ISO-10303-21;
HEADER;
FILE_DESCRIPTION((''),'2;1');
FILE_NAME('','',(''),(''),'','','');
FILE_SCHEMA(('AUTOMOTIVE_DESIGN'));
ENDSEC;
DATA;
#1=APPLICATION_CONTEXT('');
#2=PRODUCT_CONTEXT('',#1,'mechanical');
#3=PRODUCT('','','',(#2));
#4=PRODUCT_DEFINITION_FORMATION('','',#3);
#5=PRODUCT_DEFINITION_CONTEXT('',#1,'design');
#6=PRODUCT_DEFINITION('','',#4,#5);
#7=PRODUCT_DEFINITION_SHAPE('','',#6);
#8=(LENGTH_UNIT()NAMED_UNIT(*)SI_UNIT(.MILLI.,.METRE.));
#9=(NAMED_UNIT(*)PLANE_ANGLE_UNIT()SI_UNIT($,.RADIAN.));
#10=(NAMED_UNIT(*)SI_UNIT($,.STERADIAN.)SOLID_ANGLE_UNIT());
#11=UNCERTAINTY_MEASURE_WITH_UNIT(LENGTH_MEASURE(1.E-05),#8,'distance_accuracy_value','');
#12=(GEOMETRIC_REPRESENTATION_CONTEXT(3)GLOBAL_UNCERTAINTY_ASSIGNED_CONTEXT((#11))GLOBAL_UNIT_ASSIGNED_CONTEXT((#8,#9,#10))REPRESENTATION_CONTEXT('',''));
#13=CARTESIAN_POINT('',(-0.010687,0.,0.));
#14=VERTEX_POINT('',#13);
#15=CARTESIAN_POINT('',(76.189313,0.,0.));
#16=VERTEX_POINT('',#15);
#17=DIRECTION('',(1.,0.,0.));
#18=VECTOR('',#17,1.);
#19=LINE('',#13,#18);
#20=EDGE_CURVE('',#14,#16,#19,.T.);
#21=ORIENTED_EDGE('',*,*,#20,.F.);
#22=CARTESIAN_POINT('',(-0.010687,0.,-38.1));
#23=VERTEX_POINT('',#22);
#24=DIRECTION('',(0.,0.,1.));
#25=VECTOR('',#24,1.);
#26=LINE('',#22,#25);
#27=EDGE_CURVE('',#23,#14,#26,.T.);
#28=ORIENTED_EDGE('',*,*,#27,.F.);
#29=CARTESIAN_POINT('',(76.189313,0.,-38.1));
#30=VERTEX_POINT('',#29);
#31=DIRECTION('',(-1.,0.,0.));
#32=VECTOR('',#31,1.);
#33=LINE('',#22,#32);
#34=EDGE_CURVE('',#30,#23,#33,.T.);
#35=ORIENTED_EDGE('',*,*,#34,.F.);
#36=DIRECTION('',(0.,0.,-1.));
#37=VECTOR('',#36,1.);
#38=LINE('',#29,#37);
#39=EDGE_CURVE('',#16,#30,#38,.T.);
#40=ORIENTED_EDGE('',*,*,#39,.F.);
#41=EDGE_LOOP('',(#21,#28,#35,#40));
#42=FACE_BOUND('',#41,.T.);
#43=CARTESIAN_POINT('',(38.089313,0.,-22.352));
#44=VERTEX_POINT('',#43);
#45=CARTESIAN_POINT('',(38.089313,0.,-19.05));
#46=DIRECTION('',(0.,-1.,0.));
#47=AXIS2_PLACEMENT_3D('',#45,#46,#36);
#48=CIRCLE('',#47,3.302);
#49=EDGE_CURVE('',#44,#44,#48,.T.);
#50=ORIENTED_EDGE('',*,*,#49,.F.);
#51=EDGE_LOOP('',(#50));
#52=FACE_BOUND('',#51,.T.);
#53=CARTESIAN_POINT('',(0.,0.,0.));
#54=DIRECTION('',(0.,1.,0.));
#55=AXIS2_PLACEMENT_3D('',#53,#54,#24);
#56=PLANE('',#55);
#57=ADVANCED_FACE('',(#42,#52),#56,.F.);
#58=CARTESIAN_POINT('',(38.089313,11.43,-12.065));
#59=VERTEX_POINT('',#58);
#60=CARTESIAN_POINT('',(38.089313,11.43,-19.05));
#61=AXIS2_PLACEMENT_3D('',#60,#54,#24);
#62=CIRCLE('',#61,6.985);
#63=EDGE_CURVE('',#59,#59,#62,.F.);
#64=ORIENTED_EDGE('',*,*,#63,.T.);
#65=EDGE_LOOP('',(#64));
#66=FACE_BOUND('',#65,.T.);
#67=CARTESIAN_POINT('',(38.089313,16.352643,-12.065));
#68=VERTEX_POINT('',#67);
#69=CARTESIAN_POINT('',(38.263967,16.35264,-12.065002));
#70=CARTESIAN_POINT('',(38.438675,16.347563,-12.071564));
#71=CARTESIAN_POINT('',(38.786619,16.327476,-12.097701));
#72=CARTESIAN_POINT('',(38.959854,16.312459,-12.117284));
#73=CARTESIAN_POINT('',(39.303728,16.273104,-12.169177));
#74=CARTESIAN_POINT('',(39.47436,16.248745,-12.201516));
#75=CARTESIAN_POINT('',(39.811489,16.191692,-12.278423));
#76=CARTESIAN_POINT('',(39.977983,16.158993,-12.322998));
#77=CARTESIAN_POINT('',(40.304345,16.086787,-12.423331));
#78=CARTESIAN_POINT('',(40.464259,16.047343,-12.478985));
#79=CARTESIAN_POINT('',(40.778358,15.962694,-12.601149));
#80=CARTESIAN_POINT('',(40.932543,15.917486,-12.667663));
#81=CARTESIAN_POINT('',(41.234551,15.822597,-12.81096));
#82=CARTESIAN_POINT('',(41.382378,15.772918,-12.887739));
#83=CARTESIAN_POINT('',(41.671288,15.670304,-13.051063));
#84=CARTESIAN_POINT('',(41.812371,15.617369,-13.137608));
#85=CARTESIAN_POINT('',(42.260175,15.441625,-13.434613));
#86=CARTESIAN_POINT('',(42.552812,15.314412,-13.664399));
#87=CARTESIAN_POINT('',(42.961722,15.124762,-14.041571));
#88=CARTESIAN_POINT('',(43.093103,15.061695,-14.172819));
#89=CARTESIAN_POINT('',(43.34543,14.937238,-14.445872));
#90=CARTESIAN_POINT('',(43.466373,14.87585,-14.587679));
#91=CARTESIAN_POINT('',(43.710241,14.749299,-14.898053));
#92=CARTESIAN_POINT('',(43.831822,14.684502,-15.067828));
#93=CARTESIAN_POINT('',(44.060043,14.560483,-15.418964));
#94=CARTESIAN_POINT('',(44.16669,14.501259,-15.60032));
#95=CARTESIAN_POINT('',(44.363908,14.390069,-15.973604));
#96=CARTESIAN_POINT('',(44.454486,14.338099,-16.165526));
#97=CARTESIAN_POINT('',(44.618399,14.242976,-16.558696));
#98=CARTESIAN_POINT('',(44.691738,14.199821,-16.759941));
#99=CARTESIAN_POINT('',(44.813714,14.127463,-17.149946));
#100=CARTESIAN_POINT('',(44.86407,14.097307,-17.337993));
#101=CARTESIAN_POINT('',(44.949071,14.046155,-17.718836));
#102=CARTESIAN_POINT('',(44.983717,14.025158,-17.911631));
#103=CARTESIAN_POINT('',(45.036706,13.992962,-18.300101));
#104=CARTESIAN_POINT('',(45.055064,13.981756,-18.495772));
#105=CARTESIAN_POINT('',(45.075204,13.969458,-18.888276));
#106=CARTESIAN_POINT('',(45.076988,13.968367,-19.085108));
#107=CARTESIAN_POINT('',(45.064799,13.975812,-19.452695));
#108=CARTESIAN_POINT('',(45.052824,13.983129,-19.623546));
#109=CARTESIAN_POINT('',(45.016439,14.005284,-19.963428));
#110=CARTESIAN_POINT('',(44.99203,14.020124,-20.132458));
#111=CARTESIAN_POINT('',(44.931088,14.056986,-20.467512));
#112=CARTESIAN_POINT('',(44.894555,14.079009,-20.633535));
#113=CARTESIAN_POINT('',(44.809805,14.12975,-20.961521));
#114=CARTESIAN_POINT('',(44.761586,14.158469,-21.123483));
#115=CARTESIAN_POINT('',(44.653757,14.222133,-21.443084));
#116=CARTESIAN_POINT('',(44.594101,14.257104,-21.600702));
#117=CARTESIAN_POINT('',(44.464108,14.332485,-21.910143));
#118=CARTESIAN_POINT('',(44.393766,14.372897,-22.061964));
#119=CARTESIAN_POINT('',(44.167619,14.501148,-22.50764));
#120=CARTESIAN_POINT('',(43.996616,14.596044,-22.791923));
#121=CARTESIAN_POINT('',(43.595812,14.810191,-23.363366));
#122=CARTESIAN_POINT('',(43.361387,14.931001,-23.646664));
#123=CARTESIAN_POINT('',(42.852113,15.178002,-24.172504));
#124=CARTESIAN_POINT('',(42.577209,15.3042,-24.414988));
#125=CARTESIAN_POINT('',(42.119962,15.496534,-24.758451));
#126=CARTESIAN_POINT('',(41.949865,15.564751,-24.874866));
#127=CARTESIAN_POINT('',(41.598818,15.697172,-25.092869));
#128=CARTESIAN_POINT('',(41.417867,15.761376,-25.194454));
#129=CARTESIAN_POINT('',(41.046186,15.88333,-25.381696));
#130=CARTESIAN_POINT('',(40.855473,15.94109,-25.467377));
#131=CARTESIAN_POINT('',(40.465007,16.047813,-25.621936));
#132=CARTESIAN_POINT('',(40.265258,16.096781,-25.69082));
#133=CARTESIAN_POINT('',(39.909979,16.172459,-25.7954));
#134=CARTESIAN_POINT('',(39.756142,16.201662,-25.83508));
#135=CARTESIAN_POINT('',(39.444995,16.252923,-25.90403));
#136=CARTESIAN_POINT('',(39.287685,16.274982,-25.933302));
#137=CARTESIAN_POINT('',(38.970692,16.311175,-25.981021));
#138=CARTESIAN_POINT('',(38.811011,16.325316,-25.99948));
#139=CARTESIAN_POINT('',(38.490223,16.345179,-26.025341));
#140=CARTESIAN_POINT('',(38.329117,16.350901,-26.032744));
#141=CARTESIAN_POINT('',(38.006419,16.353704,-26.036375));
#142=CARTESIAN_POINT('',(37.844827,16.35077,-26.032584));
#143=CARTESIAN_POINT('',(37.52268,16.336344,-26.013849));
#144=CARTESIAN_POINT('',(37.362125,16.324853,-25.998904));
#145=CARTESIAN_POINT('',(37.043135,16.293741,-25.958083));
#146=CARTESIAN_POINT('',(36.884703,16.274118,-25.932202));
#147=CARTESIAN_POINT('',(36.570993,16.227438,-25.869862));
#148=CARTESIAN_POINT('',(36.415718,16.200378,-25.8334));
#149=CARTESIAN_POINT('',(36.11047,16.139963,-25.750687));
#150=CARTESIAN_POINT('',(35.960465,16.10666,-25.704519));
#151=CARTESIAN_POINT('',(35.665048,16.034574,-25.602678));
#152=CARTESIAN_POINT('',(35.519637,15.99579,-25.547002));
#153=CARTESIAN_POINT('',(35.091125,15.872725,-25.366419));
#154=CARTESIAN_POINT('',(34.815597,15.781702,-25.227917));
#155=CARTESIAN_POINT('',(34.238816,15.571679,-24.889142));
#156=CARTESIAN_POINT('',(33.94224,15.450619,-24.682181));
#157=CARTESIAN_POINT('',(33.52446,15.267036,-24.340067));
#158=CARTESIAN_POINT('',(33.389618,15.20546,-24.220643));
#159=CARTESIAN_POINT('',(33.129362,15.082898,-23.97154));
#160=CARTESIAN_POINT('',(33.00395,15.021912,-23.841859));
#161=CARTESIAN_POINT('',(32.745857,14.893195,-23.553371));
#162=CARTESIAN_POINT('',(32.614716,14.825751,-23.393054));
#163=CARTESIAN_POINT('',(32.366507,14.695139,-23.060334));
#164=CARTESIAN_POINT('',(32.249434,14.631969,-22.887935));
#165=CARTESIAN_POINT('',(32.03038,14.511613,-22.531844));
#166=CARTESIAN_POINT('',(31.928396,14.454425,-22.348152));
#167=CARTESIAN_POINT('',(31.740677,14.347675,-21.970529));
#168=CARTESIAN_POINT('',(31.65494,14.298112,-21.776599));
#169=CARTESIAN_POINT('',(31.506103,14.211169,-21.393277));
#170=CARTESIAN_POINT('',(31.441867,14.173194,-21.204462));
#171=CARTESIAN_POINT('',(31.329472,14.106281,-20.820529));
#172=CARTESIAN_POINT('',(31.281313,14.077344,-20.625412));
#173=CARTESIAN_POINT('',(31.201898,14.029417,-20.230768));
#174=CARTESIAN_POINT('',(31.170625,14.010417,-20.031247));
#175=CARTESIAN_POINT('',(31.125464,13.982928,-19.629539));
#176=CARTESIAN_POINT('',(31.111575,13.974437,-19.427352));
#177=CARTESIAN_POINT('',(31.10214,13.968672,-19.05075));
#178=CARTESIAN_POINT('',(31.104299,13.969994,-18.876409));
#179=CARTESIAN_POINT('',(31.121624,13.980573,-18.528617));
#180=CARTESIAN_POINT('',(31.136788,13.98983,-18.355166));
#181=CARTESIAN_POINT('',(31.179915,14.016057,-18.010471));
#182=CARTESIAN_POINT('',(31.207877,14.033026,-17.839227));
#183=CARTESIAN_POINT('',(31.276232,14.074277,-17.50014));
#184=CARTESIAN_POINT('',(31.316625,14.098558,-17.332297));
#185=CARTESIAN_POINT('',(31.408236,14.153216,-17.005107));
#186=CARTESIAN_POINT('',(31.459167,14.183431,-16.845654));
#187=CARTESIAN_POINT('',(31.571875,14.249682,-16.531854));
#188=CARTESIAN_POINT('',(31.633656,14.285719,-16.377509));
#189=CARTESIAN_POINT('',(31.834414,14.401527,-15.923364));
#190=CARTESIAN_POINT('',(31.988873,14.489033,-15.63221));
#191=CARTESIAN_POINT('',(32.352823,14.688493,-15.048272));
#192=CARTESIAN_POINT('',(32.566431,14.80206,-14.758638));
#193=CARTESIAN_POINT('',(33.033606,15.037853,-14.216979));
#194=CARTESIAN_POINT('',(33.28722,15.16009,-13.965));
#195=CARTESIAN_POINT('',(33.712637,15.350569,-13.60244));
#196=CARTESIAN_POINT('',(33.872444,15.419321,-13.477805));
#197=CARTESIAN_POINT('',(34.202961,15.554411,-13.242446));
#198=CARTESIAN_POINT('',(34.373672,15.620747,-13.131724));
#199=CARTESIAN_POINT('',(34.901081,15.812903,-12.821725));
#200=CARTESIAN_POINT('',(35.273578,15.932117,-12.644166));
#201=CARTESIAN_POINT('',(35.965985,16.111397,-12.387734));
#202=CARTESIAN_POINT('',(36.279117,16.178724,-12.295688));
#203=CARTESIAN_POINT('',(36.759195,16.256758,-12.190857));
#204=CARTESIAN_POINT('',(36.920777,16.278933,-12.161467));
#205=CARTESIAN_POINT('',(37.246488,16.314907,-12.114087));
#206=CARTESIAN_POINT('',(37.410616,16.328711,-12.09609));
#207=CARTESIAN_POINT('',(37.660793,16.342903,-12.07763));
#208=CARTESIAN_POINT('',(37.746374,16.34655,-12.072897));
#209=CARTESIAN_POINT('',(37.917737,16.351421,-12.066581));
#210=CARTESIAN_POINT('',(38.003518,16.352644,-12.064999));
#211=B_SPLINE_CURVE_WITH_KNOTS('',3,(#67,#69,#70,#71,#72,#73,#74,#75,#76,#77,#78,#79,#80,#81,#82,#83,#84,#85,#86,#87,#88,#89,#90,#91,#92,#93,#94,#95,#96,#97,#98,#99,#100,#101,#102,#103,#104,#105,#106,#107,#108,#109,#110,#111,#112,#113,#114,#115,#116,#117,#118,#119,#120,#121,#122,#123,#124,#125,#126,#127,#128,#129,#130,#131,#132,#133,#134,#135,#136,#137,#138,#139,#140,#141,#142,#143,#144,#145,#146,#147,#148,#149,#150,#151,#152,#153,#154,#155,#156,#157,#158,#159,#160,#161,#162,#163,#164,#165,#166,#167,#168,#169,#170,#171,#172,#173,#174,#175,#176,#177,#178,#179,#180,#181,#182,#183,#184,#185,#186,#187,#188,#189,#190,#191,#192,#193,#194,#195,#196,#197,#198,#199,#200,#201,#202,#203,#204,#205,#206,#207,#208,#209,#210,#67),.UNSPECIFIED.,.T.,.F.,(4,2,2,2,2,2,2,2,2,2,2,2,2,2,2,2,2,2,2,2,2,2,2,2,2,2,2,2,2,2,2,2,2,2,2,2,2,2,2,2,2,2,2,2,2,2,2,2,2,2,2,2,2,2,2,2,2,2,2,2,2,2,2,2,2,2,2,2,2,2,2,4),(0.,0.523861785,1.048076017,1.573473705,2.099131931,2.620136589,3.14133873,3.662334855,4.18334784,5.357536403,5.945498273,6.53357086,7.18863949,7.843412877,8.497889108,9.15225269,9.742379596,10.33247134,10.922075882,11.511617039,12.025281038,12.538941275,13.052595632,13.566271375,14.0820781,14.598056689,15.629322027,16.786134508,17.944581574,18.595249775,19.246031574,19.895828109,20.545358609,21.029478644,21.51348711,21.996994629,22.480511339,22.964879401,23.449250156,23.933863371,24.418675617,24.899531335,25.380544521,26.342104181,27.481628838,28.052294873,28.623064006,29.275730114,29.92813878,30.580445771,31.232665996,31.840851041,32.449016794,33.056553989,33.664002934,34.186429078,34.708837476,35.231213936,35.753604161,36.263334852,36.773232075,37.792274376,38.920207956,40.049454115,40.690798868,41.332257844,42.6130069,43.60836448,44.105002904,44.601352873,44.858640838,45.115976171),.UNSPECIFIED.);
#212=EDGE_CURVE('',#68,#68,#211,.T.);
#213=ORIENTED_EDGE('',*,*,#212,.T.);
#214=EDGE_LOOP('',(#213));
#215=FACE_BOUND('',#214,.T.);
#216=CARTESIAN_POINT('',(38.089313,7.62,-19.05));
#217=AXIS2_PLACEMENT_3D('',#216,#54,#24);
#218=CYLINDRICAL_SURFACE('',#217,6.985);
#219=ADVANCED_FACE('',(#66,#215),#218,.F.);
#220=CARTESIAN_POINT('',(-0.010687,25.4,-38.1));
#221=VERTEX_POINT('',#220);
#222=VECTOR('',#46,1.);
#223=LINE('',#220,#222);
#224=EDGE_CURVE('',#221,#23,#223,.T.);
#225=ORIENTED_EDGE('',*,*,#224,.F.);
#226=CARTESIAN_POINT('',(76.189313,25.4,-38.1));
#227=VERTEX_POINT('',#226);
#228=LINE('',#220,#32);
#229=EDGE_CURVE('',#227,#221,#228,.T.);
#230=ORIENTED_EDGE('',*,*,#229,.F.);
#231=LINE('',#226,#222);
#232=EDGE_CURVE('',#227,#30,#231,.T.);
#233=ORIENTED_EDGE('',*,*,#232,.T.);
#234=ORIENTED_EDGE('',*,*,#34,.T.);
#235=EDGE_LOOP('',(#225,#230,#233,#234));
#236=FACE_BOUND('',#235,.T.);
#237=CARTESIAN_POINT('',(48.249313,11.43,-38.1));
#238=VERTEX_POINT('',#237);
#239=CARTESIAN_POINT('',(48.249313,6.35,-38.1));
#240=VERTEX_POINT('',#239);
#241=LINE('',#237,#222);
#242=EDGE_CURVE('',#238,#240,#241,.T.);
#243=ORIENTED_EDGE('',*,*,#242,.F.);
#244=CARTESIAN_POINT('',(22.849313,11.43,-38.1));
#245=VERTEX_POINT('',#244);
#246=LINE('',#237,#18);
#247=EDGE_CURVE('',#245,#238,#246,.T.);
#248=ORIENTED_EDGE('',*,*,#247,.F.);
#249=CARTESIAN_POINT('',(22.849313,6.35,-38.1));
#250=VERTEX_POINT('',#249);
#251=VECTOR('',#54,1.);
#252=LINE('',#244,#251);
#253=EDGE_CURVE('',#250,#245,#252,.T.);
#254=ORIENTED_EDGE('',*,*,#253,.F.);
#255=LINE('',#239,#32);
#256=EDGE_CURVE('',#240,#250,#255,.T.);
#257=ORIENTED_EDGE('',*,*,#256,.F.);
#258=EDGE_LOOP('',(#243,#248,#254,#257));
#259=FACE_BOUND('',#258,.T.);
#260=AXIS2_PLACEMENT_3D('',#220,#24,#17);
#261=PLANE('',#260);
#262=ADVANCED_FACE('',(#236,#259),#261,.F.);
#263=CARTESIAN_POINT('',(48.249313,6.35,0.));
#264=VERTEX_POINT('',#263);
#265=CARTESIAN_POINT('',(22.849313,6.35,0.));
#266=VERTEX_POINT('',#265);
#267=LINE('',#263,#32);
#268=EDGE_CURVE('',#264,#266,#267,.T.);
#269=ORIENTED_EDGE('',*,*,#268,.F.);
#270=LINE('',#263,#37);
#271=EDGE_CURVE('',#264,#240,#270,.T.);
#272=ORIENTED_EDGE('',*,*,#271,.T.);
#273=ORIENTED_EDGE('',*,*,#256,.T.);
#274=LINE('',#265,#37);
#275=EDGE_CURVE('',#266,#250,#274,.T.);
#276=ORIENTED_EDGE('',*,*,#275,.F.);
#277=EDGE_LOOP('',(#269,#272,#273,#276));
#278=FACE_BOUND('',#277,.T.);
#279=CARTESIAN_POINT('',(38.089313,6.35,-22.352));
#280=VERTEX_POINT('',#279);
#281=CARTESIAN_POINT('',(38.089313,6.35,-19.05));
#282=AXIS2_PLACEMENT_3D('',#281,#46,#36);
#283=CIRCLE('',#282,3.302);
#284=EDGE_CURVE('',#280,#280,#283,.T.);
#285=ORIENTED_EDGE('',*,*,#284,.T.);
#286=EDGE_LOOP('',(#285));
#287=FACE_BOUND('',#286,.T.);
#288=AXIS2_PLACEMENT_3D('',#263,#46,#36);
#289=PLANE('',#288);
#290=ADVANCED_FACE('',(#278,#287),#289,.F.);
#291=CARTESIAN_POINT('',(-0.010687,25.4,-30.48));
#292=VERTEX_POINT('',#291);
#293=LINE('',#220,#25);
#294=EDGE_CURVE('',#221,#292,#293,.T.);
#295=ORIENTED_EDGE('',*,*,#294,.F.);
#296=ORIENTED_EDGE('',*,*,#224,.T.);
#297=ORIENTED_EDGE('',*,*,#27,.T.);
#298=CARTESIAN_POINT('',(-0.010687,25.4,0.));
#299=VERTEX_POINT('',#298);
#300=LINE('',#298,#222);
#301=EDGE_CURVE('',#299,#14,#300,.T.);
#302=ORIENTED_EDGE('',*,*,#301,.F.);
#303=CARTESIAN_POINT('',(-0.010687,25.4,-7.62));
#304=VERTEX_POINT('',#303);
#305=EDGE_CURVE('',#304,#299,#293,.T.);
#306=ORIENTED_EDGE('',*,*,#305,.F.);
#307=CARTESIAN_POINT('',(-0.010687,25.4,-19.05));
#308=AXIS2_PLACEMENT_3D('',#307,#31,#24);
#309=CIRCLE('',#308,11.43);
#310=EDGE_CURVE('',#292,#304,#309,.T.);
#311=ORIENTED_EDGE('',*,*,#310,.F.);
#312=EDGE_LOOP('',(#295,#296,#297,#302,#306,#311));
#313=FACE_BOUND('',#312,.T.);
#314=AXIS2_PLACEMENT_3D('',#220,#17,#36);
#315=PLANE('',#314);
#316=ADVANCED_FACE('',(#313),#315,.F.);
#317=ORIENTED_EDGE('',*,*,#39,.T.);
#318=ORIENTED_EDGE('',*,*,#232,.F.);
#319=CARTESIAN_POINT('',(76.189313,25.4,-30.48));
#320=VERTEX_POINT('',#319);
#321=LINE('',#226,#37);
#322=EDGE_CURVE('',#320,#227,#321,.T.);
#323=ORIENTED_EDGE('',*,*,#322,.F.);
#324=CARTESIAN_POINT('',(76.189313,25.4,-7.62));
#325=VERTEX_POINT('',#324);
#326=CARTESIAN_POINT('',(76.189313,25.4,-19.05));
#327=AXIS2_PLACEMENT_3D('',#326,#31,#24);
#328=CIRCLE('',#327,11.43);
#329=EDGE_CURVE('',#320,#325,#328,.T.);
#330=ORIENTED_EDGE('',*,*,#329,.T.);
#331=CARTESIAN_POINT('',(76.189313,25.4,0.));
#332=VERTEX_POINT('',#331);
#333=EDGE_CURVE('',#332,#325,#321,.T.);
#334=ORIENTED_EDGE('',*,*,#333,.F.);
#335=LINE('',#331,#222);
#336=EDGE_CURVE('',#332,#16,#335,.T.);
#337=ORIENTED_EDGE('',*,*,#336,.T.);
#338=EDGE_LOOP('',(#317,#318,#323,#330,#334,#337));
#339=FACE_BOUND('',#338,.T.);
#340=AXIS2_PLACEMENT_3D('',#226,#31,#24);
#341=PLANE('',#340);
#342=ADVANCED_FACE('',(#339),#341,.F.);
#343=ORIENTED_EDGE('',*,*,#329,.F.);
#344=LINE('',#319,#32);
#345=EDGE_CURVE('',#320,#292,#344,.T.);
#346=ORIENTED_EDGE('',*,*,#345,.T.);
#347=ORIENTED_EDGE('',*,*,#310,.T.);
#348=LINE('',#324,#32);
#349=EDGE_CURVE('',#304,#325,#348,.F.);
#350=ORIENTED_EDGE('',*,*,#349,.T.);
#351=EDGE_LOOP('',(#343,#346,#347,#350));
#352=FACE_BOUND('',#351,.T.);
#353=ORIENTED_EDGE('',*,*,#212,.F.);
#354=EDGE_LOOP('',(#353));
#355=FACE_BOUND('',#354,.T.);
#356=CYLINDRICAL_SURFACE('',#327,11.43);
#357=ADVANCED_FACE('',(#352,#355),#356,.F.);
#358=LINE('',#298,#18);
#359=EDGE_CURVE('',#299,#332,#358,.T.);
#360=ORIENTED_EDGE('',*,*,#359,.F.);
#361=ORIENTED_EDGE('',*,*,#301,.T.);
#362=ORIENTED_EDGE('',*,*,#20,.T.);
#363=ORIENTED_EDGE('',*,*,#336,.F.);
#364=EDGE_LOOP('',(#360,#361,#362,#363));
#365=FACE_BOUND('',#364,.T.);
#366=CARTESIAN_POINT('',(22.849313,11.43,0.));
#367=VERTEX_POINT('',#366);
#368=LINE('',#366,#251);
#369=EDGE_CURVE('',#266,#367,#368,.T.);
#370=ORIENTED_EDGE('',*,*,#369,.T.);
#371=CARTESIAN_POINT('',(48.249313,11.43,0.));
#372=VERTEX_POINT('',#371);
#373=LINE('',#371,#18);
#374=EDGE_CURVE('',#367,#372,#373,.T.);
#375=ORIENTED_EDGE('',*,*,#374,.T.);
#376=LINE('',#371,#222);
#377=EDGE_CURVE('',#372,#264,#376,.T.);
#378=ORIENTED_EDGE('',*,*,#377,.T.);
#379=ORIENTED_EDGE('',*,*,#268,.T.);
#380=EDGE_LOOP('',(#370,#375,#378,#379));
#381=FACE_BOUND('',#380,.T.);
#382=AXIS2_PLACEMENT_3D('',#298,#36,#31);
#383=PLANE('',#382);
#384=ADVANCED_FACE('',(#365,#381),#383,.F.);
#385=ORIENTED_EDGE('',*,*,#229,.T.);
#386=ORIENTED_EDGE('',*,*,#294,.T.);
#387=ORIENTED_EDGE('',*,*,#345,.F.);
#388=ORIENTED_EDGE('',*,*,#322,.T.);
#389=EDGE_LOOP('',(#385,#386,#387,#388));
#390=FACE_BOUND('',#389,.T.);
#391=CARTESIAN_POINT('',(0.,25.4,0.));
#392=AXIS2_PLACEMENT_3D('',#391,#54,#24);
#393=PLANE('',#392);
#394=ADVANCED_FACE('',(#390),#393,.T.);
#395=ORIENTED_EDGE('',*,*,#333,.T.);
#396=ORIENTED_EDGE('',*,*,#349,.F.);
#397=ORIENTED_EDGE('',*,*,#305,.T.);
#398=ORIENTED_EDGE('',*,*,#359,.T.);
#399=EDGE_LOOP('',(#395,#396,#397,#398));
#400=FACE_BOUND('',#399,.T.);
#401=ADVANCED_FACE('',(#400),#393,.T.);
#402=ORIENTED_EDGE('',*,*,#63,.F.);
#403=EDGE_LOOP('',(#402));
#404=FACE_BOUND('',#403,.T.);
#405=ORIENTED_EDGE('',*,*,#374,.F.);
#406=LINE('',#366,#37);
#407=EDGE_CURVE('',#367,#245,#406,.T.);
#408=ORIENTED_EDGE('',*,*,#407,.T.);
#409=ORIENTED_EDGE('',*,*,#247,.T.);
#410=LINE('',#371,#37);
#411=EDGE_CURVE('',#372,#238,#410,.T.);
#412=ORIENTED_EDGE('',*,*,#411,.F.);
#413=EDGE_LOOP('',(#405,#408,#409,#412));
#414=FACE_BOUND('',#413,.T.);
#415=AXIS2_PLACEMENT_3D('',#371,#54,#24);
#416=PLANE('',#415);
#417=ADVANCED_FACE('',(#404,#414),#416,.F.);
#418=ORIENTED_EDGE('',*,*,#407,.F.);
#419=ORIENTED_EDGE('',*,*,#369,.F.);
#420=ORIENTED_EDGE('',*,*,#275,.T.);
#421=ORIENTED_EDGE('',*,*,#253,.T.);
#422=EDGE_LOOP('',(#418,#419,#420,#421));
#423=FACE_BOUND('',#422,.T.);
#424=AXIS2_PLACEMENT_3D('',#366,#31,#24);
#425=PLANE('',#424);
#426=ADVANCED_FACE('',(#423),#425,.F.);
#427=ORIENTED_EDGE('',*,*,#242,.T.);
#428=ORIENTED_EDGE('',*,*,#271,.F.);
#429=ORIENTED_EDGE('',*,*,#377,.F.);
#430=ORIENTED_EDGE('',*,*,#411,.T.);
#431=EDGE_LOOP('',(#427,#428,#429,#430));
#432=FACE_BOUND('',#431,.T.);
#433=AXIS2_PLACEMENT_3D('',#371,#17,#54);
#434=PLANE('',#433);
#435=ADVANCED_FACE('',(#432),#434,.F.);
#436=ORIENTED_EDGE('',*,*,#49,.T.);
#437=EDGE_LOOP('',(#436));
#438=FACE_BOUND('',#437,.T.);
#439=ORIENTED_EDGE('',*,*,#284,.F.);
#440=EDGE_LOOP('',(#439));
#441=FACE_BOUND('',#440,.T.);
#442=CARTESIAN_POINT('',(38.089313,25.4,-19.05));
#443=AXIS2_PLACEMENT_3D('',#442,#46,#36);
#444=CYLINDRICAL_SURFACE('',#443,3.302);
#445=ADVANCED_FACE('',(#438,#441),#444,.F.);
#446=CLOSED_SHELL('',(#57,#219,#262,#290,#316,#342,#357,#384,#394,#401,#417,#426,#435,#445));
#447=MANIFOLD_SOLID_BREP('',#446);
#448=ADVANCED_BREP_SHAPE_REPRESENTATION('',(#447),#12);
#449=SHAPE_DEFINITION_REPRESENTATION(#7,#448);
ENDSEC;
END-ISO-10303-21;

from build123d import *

# Parameters (mm, degrees)
SKETCH1_W           = 76.2
SKETCH1_H           = 38.1
BOSS_EXTRUDE1_DEPTH = 25.4
SKETCH2_R           = 11.43
CUT_EXTRUDE1_DEPTH  = 89.9
SKETCH5_W           = 25.4
SKETCH5_H           = 5.08
CUT_EXTRUDE3_DEPTH  = 89.890839867
SKETCH3_R           = 3.302
CUT_EXTRUDE6_DEPTH  = 89.890839867
CUT_EXTRUDE7_START  = -7.62
SKETCH3_3_R         = 6.985
SKETCH3_3_R_2       = 3.302
CUT_EXTRUDE7_DEPTH  = 10.16


with BuildPart() as part:
    # Sketch1 → Boss-Extrude1 (new body)
    with BuildSketch(Plane(origin=(0, 0, 0), x_dir=(1, 0, 0), z_dir=(0, 1, 0))):
        with Locations((38.089312979, 19.05)):
            Rectangle(SKETCH1_W, SKETCH1_H)
    extrude(amount=BOSS_EXTRUDE1_DEPTH)

    # Sketch2 → Cut-Extrude1 (cut, through all)
    with BuildSketch(Plane.ZY.offset(0.010687021)):
        with Locations((-19.05, 25.4)):
            Circle(SKETCH2_R)
    extrude(amount=-CUT_EXTRUDE1_DEPTH, mode=Mode.SUBTRACT)

    # Sketch5 → Cut-Extrude3 (cut, through all)
    with BuildSketch(Plane(origin=(0, 0, -38.1), x_dir=(-1, 0, 0), z_dir=(0, 0, -1))):
        with Locations((-35.549312979, 8.89)):
            Rectangle(SKETCH5_W, SKETCH5_H)
    extrude(amount=-CUT_EXTRUDE3_DEPTH, mode=Mode.SUBTRACT)

    # Sketch3 → Cut-Extrude6 (cut, through all)
    with BuildSketch(Plane.XZ):
        with Locations((38.089312979, -19.05)):
            Circle(SKETCH3_R)
    extrude(amount=-CUT_EXTRUDE6_DEPTH, mode=Mode.SUBTRACT)

    # Sketch3<3> → Cut-Extrude7 (cut)
    with BuildSketch(Plane.XZ.offset(CUT_EXTRUDE7_START)):
        with Locations((38.089312979, -19.05)):
            Circle(SKETCH3_3_R)
        with Locations((38.089312979, -19.05)):
            Circle(SKETCH3_3_R_2, mode=Mode.SUBTRACT)
    extrude(amount=-CUT_EXTRUDE7_DEPTH, mode=Mode.SUBTRACT)


solid = part.part
